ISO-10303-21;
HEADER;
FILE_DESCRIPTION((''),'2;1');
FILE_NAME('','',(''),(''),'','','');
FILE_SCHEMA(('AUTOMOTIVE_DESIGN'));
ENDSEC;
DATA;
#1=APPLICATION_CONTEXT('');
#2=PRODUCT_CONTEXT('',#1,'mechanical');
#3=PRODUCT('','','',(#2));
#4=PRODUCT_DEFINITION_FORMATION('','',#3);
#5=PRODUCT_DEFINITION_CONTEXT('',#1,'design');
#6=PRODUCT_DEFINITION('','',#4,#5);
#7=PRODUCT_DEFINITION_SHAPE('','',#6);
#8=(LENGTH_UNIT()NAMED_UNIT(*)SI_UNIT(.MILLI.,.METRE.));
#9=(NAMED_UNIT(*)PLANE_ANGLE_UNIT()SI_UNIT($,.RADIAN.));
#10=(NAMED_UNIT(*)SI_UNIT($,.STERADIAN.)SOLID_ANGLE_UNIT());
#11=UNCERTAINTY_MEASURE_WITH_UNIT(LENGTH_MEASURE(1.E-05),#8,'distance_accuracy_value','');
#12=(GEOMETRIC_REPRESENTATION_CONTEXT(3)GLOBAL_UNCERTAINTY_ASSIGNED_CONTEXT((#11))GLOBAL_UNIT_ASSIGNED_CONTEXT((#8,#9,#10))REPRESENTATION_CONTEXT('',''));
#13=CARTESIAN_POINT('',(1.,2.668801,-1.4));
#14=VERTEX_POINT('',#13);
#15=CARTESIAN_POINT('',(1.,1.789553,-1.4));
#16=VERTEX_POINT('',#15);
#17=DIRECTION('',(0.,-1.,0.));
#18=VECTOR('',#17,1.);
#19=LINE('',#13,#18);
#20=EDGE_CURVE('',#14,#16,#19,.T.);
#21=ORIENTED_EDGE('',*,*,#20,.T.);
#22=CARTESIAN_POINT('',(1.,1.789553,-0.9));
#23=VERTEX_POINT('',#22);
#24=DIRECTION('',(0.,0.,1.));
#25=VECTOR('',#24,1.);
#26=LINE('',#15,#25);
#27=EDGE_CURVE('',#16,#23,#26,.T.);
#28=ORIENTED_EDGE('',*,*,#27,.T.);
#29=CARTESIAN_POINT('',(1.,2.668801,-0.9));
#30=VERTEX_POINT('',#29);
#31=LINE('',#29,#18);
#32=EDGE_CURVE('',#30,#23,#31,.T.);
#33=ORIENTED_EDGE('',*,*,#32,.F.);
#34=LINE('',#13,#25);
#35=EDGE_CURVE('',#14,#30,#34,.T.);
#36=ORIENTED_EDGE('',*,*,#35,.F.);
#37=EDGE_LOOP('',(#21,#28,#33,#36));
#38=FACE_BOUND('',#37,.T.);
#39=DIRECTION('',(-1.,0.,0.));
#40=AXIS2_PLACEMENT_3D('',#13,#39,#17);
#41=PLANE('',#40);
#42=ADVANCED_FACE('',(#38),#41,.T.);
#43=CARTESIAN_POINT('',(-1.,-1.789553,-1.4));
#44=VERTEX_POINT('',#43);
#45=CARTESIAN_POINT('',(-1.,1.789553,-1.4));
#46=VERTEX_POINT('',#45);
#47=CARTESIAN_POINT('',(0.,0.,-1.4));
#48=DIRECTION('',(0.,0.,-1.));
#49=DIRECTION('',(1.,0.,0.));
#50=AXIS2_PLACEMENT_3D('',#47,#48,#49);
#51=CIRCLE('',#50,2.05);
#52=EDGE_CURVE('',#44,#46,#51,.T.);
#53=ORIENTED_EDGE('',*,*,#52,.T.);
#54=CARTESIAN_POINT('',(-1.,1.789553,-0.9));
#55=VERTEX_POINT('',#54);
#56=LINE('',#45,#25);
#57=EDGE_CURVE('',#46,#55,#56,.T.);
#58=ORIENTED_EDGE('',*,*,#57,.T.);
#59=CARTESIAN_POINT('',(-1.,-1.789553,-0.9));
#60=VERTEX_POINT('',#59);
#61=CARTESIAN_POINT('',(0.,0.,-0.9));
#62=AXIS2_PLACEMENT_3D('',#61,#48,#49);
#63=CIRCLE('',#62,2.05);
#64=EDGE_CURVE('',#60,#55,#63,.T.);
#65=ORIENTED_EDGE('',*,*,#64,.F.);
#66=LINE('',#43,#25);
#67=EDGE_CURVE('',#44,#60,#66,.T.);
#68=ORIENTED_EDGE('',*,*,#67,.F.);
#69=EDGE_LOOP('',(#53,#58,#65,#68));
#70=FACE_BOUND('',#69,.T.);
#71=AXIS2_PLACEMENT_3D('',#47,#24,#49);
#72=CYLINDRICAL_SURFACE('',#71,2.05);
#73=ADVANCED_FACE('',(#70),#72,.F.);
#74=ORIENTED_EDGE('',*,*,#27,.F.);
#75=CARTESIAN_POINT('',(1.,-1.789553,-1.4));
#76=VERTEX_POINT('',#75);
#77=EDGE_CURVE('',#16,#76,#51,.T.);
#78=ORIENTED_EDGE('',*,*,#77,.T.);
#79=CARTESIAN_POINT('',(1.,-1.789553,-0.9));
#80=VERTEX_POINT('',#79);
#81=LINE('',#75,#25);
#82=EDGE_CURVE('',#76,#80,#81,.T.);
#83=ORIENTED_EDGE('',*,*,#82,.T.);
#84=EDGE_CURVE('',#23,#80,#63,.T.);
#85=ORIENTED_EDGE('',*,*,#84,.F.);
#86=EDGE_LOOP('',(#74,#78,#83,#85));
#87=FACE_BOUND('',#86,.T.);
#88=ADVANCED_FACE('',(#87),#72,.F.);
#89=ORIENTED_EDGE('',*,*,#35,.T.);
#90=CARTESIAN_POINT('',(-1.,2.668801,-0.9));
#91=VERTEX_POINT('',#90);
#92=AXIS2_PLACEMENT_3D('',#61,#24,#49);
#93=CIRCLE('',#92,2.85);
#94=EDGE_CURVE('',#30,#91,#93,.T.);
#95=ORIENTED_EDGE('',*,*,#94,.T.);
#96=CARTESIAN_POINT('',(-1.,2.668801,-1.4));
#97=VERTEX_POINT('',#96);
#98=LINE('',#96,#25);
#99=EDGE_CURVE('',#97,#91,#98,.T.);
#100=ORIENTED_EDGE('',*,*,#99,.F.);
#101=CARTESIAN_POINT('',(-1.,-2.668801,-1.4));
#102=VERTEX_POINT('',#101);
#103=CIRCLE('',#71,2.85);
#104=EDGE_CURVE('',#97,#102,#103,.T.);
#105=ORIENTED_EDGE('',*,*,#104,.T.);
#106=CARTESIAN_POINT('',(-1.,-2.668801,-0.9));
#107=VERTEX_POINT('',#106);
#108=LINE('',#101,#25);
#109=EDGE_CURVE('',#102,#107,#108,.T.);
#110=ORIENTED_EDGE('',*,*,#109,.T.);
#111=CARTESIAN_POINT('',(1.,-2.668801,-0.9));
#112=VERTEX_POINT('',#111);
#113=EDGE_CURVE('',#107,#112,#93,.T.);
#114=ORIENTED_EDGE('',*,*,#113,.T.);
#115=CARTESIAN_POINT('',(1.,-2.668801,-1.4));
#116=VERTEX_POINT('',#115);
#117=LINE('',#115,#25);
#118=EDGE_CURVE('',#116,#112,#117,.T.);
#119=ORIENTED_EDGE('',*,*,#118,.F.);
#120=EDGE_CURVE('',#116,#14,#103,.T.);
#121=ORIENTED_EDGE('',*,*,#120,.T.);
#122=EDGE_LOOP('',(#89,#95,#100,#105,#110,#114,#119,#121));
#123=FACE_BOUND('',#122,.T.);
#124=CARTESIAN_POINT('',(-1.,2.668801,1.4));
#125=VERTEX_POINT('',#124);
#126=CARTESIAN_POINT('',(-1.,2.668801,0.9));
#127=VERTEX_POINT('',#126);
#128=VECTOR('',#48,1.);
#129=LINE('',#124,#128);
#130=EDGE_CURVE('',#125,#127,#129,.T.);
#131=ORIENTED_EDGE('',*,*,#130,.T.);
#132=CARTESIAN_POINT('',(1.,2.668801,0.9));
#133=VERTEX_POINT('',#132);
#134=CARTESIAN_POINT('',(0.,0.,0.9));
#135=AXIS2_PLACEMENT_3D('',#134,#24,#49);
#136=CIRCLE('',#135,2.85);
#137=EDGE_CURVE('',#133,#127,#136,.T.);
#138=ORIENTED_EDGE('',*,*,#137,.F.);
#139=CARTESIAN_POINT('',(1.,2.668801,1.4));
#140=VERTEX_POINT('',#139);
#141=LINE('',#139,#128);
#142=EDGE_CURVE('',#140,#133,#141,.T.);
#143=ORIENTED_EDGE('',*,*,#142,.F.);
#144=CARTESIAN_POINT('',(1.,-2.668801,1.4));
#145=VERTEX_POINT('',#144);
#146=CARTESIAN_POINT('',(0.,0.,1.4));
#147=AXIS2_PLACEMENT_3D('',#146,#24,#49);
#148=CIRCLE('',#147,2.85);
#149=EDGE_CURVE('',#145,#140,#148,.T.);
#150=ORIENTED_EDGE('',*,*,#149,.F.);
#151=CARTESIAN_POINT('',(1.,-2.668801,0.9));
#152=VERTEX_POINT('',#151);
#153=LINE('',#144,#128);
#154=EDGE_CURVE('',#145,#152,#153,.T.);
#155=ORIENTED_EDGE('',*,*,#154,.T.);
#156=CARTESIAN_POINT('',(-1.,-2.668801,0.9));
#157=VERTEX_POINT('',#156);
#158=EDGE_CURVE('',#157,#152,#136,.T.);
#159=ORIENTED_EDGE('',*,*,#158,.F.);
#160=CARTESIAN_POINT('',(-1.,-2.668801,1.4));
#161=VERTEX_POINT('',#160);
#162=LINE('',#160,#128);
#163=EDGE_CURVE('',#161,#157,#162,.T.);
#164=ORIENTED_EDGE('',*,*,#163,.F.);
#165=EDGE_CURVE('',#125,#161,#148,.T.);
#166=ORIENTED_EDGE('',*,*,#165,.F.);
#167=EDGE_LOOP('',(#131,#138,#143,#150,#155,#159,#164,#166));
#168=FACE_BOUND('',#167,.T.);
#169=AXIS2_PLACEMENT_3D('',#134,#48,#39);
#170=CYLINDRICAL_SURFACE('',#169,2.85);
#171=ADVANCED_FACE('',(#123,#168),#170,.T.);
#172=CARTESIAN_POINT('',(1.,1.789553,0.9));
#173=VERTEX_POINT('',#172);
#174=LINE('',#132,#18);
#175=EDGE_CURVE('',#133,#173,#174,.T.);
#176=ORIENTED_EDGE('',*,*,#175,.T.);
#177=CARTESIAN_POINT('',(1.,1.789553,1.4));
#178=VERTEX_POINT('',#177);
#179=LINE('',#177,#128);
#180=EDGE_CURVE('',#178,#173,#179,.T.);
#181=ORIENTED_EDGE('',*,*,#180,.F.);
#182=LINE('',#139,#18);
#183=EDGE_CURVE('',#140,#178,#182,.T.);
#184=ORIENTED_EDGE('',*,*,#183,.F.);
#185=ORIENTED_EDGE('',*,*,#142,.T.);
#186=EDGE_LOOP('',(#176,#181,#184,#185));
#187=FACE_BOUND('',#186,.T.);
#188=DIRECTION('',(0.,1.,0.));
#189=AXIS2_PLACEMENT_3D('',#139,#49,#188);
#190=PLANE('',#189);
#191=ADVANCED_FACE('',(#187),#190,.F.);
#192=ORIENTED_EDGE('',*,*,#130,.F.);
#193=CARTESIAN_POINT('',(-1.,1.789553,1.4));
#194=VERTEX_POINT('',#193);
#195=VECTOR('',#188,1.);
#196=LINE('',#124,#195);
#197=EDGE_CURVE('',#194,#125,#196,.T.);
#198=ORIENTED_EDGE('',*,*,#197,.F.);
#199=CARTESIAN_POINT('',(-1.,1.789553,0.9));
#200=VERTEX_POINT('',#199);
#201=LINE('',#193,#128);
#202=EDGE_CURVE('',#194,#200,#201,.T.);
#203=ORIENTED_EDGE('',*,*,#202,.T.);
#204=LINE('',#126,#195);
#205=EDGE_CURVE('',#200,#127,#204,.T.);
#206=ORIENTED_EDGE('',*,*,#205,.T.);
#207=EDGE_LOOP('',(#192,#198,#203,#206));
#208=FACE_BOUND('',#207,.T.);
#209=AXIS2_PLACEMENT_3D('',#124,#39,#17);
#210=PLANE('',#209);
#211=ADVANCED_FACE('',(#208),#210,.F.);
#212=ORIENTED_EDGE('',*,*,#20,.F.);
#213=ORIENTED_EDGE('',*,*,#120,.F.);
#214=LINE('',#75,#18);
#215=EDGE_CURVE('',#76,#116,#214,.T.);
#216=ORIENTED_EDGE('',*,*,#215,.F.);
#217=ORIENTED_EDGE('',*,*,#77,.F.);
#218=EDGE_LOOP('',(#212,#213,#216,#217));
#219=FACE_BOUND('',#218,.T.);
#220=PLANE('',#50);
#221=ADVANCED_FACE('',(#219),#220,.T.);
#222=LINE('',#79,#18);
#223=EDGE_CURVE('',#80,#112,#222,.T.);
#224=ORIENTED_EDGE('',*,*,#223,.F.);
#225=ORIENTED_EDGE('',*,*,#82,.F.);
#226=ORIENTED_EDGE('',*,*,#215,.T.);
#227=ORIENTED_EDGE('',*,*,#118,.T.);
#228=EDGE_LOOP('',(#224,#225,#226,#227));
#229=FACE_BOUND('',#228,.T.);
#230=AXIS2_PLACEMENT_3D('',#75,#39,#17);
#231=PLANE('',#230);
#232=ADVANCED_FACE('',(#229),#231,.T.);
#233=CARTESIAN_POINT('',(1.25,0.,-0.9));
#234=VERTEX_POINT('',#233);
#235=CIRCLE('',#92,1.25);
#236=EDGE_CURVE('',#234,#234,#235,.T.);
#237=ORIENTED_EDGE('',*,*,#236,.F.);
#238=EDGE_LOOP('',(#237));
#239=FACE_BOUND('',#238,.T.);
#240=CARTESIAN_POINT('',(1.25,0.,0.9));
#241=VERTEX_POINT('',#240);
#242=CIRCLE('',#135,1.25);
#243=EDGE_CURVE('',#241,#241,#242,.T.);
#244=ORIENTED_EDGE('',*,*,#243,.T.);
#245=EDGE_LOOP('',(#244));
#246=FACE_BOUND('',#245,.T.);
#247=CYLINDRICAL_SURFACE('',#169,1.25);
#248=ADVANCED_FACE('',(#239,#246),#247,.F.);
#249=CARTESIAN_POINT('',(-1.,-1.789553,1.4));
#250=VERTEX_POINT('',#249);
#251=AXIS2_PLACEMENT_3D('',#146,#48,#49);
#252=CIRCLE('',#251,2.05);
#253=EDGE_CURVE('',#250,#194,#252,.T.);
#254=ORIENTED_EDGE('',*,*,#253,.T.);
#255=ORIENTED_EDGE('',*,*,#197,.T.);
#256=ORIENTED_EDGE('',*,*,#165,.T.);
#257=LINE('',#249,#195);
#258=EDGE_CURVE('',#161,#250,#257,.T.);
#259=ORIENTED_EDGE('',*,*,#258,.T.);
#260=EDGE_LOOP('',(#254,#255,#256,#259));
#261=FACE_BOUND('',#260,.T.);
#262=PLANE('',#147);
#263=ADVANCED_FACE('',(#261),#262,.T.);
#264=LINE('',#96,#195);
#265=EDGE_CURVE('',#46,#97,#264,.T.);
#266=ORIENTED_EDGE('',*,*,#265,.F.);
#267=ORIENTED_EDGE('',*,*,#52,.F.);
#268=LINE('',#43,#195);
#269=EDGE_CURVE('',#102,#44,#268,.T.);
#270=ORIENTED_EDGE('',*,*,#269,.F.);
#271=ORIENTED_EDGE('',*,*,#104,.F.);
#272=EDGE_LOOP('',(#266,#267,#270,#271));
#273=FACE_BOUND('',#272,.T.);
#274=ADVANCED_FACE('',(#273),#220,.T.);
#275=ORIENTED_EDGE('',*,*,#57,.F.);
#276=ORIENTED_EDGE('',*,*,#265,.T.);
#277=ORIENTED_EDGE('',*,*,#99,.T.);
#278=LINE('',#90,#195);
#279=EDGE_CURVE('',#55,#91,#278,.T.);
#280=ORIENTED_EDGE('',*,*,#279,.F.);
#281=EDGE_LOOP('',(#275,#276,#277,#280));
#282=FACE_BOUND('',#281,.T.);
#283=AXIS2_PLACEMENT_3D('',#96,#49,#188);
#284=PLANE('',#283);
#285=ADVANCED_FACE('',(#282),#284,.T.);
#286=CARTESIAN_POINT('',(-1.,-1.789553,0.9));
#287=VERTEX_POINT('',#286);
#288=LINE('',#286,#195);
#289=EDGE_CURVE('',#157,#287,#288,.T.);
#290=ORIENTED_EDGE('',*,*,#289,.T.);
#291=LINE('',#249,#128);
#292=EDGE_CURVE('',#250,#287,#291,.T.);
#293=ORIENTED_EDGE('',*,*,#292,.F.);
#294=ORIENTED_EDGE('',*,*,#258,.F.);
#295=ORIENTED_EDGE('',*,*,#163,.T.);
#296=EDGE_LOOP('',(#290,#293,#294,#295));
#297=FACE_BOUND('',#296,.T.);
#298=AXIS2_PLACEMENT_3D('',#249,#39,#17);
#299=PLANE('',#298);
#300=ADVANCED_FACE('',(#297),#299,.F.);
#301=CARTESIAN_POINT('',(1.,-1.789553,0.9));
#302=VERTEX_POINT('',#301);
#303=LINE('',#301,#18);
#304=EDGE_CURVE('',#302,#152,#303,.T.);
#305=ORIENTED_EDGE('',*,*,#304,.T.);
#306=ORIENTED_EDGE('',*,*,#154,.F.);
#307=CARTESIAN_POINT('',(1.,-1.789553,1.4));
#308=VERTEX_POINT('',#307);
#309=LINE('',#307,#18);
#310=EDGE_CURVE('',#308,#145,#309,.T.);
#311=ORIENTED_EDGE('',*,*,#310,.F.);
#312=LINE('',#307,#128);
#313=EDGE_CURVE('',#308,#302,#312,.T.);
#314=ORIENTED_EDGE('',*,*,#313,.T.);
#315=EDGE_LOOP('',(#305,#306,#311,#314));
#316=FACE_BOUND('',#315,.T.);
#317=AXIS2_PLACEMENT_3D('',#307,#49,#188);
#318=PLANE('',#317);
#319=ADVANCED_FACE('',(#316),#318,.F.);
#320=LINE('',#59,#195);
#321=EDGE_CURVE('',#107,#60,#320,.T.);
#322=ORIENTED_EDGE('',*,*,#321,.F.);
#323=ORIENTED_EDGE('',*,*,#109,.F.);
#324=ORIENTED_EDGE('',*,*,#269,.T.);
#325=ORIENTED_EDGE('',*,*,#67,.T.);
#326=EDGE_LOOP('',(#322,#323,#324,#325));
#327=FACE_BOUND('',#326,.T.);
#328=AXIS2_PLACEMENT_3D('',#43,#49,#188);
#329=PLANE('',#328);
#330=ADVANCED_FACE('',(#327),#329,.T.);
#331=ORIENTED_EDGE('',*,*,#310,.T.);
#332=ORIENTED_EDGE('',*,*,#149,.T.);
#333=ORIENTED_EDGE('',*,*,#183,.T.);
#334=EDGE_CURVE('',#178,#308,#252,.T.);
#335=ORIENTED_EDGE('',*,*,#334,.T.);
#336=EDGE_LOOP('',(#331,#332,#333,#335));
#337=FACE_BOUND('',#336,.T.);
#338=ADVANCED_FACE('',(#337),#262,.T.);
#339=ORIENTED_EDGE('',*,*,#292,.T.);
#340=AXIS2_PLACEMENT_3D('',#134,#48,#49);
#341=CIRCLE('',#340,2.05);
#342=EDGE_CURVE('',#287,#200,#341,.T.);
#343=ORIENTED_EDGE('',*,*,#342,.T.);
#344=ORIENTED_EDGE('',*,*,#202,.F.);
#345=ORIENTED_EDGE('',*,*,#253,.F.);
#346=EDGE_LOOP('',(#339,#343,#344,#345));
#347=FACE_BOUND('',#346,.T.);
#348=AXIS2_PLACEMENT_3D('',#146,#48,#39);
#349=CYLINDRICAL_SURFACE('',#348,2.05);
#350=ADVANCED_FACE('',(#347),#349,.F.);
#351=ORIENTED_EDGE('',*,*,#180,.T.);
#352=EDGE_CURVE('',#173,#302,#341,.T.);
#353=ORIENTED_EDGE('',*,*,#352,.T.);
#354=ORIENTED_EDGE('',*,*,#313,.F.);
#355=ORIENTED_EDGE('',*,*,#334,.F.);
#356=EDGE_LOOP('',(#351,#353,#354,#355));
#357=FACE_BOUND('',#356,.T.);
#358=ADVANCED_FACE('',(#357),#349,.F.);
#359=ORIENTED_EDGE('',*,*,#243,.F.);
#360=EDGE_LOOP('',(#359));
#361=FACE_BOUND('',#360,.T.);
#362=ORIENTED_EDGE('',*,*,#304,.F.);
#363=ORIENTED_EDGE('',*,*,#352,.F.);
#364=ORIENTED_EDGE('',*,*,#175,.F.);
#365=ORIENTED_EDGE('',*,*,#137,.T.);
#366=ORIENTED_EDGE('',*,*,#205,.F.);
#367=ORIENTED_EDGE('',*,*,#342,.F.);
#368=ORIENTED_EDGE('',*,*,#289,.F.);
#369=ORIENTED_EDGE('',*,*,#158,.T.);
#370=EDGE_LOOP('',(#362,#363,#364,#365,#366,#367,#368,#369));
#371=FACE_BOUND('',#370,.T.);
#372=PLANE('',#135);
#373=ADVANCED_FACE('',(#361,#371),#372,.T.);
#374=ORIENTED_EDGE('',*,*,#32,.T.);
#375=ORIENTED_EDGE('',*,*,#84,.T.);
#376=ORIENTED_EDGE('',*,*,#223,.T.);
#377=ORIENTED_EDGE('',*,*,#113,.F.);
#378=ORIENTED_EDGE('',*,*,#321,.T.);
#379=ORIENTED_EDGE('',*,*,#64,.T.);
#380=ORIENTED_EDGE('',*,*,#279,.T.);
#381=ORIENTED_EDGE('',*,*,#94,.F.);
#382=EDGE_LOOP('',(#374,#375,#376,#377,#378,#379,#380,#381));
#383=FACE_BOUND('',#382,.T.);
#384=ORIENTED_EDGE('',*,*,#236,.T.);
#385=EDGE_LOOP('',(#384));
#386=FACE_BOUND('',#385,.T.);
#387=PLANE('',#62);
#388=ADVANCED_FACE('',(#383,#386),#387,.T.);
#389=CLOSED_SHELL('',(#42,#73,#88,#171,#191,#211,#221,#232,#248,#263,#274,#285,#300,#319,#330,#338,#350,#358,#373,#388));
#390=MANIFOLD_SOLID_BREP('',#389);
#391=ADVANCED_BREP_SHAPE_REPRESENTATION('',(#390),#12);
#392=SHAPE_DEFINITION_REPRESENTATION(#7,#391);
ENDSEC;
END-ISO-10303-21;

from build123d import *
from build123d.topology import SkipClean

# Parameters (mm, degrees)
SKETCH_1_R      = 2.85
SKETCH_1_R_2    = 1.25
EXTRUDE_1_DEPTH = 0.9
EXTRUDE_2_DEPTH = 0.5


with BuildPart() as part:
    # ｽｹｯﾁ1 → ﾎﾞｽ - 押し出し1 (new body)
    with BuildSketch(Plane.XY):
        Circle(SKETCH_1_R)
        Circle(SKETCH_1_R_2, mode=Mode.SUBTRACT)
    extrude_1 = extrude(amount=EXTRUDE_1_DEPTH)

    # ｽｹｯﾁ2 → ﾎﾞｽ - 押し出し2 (add)
    with SkipClean():  # the faces are left unmerged after this step: merging them gives an invalid solid
        with BuildSketch(Plane.XY.offset(0.9)):
            with BuildLine():
                Line((-1, 2.668801229), (-1, 1.789553017))
                ThreePointArc((-1, 1.789553017), (-2.05, 0), (-1, -1.789553017))
                Line((-1, -1.789553017), (-1, -2.668801229))
                ThreePointArc((-1, -2.668801229), (-2.85, 0), (-1, 2.668801229))
            make_face()
            with BuildLine():
                Line((1, 2.668801229), (1, 1.789553017))
                ThreePointArc((1, 1.789553017), (2.05, 0), (1, -1.789553017))
                Line((1, -1.789553017), (1, -2.668801229))
                ThreePointArc((1, -2.668801229), (2.85, 0), (1, 2.668801229))
            make_face()
        extrude_2 = extrude(amount=EXTRUDE_2_DEPTH)

    # ﾐﾗｰ1: ﾎﾞｽ - 押し出し1, ﾎﾞｽ - 押し出し2 across plane
    with SkipClean():  # the faces are left unmerged after this step: merging them gives an invalid solid
        add(extrude_1.mirror(Plane.XY))
        add(extrude_2.mirror(Plane.XY))


solid = part.part
